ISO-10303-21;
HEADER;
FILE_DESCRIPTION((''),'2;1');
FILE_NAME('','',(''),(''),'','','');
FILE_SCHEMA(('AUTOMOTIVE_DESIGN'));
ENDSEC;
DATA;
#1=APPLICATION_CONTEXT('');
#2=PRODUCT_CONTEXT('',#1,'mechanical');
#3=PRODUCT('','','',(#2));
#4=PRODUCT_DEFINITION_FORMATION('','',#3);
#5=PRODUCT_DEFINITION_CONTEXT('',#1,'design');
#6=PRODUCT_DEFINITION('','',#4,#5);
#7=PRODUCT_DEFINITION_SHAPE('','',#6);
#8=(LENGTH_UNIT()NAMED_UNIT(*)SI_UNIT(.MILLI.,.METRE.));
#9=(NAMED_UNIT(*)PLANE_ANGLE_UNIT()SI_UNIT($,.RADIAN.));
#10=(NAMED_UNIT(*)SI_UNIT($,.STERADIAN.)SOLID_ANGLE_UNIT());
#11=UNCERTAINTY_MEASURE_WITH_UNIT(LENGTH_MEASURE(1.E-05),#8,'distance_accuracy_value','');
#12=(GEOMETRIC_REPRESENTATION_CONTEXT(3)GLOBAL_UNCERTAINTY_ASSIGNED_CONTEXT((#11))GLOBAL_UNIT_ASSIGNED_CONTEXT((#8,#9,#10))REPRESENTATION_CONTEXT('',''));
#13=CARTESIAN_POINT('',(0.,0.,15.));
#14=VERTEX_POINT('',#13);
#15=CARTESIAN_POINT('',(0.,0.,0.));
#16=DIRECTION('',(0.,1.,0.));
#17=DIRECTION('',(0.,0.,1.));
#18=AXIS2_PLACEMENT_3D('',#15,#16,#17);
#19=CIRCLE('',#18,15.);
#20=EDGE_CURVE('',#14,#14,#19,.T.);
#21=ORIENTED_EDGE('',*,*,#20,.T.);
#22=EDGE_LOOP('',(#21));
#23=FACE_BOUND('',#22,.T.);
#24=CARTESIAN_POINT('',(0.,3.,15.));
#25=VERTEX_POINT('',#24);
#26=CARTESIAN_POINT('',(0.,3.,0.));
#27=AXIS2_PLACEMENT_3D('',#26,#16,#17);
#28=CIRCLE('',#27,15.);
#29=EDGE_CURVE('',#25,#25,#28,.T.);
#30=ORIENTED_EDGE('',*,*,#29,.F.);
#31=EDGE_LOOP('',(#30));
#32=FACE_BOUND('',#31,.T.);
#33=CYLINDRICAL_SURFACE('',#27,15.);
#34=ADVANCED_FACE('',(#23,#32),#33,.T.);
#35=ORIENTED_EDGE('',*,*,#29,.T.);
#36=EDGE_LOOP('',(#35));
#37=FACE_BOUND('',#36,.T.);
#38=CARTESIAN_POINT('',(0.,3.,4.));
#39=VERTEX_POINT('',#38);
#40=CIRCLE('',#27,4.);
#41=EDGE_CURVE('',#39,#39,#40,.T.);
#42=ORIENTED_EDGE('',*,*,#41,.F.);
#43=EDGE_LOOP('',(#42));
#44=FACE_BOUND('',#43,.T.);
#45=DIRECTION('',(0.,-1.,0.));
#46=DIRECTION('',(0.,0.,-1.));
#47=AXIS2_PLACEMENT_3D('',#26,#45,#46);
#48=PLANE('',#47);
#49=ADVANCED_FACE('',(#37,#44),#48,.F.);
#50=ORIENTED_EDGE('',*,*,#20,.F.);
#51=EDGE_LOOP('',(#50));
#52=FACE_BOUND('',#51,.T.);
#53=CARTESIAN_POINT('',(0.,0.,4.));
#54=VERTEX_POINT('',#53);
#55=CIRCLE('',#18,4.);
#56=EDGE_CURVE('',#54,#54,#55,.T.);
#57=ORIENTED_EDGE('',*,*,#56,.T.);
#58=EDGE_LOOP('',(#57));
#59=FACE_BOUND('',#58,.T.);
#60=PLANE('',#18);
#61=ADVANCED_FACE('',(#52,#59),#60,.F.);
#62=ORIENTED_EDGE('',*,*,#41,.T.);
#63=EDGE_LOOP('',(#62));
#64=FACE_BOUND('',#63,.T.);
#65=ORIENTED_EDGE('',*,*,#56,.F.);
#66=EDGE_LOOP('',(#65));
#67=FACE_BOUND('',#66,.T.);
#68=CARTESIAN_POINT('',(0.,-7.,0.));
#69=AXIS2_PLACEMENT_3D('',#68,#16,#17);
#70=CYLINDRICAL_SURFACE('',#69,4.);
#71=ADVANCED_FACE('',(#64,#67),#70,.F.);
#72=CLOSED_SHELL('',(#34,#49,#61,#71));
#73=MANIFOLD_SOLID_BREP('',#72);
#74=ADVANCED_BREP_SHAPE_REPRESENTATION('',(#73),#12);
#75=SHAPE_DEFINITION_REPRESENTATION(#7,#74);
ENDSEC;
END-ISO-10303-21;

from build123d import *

# Parameters (mm, degrees)
CROQUIS1_W            = 15
CROQUIS1_H            = 3
CROQUIS5_R            = 4
CORTAR_EXTRUIR1_DEPTH = 10


with BuildPart() as part:
    # Croquis1 → Revolución3 (revolve)
    with BuildSketch(Plane.XY, mode=Mode.PRIVATE) as revoluci_n3_sk:
        with Locations((7.5, 1.5)):
            Rectangle(CROQUIS1_W, CROQUIS1_H)
    revolve(revoluci_n3_sk.sketch.rotate(Axis((0, 3, 0), (0, -1, 0)), 90), axis=Axis((0, 3, 0), (0, -1, 0)))

    # Croquis5 → Cortar-Extruir1 (cut)
    with BuildSketch(Plane(origin=(0, 3, 0), x_dir=(1, 0, 0), z_dir=(0, 1, 0))):
        with Locations(Location((0, 0, 0), (0, 0, 270))):
            Circle(CROQUIS5_R)
    extrude(amount=-CORTAR_EXTRUIR1_DEPTH, mode=Mode.SUBTRACT)


solid = part.part
